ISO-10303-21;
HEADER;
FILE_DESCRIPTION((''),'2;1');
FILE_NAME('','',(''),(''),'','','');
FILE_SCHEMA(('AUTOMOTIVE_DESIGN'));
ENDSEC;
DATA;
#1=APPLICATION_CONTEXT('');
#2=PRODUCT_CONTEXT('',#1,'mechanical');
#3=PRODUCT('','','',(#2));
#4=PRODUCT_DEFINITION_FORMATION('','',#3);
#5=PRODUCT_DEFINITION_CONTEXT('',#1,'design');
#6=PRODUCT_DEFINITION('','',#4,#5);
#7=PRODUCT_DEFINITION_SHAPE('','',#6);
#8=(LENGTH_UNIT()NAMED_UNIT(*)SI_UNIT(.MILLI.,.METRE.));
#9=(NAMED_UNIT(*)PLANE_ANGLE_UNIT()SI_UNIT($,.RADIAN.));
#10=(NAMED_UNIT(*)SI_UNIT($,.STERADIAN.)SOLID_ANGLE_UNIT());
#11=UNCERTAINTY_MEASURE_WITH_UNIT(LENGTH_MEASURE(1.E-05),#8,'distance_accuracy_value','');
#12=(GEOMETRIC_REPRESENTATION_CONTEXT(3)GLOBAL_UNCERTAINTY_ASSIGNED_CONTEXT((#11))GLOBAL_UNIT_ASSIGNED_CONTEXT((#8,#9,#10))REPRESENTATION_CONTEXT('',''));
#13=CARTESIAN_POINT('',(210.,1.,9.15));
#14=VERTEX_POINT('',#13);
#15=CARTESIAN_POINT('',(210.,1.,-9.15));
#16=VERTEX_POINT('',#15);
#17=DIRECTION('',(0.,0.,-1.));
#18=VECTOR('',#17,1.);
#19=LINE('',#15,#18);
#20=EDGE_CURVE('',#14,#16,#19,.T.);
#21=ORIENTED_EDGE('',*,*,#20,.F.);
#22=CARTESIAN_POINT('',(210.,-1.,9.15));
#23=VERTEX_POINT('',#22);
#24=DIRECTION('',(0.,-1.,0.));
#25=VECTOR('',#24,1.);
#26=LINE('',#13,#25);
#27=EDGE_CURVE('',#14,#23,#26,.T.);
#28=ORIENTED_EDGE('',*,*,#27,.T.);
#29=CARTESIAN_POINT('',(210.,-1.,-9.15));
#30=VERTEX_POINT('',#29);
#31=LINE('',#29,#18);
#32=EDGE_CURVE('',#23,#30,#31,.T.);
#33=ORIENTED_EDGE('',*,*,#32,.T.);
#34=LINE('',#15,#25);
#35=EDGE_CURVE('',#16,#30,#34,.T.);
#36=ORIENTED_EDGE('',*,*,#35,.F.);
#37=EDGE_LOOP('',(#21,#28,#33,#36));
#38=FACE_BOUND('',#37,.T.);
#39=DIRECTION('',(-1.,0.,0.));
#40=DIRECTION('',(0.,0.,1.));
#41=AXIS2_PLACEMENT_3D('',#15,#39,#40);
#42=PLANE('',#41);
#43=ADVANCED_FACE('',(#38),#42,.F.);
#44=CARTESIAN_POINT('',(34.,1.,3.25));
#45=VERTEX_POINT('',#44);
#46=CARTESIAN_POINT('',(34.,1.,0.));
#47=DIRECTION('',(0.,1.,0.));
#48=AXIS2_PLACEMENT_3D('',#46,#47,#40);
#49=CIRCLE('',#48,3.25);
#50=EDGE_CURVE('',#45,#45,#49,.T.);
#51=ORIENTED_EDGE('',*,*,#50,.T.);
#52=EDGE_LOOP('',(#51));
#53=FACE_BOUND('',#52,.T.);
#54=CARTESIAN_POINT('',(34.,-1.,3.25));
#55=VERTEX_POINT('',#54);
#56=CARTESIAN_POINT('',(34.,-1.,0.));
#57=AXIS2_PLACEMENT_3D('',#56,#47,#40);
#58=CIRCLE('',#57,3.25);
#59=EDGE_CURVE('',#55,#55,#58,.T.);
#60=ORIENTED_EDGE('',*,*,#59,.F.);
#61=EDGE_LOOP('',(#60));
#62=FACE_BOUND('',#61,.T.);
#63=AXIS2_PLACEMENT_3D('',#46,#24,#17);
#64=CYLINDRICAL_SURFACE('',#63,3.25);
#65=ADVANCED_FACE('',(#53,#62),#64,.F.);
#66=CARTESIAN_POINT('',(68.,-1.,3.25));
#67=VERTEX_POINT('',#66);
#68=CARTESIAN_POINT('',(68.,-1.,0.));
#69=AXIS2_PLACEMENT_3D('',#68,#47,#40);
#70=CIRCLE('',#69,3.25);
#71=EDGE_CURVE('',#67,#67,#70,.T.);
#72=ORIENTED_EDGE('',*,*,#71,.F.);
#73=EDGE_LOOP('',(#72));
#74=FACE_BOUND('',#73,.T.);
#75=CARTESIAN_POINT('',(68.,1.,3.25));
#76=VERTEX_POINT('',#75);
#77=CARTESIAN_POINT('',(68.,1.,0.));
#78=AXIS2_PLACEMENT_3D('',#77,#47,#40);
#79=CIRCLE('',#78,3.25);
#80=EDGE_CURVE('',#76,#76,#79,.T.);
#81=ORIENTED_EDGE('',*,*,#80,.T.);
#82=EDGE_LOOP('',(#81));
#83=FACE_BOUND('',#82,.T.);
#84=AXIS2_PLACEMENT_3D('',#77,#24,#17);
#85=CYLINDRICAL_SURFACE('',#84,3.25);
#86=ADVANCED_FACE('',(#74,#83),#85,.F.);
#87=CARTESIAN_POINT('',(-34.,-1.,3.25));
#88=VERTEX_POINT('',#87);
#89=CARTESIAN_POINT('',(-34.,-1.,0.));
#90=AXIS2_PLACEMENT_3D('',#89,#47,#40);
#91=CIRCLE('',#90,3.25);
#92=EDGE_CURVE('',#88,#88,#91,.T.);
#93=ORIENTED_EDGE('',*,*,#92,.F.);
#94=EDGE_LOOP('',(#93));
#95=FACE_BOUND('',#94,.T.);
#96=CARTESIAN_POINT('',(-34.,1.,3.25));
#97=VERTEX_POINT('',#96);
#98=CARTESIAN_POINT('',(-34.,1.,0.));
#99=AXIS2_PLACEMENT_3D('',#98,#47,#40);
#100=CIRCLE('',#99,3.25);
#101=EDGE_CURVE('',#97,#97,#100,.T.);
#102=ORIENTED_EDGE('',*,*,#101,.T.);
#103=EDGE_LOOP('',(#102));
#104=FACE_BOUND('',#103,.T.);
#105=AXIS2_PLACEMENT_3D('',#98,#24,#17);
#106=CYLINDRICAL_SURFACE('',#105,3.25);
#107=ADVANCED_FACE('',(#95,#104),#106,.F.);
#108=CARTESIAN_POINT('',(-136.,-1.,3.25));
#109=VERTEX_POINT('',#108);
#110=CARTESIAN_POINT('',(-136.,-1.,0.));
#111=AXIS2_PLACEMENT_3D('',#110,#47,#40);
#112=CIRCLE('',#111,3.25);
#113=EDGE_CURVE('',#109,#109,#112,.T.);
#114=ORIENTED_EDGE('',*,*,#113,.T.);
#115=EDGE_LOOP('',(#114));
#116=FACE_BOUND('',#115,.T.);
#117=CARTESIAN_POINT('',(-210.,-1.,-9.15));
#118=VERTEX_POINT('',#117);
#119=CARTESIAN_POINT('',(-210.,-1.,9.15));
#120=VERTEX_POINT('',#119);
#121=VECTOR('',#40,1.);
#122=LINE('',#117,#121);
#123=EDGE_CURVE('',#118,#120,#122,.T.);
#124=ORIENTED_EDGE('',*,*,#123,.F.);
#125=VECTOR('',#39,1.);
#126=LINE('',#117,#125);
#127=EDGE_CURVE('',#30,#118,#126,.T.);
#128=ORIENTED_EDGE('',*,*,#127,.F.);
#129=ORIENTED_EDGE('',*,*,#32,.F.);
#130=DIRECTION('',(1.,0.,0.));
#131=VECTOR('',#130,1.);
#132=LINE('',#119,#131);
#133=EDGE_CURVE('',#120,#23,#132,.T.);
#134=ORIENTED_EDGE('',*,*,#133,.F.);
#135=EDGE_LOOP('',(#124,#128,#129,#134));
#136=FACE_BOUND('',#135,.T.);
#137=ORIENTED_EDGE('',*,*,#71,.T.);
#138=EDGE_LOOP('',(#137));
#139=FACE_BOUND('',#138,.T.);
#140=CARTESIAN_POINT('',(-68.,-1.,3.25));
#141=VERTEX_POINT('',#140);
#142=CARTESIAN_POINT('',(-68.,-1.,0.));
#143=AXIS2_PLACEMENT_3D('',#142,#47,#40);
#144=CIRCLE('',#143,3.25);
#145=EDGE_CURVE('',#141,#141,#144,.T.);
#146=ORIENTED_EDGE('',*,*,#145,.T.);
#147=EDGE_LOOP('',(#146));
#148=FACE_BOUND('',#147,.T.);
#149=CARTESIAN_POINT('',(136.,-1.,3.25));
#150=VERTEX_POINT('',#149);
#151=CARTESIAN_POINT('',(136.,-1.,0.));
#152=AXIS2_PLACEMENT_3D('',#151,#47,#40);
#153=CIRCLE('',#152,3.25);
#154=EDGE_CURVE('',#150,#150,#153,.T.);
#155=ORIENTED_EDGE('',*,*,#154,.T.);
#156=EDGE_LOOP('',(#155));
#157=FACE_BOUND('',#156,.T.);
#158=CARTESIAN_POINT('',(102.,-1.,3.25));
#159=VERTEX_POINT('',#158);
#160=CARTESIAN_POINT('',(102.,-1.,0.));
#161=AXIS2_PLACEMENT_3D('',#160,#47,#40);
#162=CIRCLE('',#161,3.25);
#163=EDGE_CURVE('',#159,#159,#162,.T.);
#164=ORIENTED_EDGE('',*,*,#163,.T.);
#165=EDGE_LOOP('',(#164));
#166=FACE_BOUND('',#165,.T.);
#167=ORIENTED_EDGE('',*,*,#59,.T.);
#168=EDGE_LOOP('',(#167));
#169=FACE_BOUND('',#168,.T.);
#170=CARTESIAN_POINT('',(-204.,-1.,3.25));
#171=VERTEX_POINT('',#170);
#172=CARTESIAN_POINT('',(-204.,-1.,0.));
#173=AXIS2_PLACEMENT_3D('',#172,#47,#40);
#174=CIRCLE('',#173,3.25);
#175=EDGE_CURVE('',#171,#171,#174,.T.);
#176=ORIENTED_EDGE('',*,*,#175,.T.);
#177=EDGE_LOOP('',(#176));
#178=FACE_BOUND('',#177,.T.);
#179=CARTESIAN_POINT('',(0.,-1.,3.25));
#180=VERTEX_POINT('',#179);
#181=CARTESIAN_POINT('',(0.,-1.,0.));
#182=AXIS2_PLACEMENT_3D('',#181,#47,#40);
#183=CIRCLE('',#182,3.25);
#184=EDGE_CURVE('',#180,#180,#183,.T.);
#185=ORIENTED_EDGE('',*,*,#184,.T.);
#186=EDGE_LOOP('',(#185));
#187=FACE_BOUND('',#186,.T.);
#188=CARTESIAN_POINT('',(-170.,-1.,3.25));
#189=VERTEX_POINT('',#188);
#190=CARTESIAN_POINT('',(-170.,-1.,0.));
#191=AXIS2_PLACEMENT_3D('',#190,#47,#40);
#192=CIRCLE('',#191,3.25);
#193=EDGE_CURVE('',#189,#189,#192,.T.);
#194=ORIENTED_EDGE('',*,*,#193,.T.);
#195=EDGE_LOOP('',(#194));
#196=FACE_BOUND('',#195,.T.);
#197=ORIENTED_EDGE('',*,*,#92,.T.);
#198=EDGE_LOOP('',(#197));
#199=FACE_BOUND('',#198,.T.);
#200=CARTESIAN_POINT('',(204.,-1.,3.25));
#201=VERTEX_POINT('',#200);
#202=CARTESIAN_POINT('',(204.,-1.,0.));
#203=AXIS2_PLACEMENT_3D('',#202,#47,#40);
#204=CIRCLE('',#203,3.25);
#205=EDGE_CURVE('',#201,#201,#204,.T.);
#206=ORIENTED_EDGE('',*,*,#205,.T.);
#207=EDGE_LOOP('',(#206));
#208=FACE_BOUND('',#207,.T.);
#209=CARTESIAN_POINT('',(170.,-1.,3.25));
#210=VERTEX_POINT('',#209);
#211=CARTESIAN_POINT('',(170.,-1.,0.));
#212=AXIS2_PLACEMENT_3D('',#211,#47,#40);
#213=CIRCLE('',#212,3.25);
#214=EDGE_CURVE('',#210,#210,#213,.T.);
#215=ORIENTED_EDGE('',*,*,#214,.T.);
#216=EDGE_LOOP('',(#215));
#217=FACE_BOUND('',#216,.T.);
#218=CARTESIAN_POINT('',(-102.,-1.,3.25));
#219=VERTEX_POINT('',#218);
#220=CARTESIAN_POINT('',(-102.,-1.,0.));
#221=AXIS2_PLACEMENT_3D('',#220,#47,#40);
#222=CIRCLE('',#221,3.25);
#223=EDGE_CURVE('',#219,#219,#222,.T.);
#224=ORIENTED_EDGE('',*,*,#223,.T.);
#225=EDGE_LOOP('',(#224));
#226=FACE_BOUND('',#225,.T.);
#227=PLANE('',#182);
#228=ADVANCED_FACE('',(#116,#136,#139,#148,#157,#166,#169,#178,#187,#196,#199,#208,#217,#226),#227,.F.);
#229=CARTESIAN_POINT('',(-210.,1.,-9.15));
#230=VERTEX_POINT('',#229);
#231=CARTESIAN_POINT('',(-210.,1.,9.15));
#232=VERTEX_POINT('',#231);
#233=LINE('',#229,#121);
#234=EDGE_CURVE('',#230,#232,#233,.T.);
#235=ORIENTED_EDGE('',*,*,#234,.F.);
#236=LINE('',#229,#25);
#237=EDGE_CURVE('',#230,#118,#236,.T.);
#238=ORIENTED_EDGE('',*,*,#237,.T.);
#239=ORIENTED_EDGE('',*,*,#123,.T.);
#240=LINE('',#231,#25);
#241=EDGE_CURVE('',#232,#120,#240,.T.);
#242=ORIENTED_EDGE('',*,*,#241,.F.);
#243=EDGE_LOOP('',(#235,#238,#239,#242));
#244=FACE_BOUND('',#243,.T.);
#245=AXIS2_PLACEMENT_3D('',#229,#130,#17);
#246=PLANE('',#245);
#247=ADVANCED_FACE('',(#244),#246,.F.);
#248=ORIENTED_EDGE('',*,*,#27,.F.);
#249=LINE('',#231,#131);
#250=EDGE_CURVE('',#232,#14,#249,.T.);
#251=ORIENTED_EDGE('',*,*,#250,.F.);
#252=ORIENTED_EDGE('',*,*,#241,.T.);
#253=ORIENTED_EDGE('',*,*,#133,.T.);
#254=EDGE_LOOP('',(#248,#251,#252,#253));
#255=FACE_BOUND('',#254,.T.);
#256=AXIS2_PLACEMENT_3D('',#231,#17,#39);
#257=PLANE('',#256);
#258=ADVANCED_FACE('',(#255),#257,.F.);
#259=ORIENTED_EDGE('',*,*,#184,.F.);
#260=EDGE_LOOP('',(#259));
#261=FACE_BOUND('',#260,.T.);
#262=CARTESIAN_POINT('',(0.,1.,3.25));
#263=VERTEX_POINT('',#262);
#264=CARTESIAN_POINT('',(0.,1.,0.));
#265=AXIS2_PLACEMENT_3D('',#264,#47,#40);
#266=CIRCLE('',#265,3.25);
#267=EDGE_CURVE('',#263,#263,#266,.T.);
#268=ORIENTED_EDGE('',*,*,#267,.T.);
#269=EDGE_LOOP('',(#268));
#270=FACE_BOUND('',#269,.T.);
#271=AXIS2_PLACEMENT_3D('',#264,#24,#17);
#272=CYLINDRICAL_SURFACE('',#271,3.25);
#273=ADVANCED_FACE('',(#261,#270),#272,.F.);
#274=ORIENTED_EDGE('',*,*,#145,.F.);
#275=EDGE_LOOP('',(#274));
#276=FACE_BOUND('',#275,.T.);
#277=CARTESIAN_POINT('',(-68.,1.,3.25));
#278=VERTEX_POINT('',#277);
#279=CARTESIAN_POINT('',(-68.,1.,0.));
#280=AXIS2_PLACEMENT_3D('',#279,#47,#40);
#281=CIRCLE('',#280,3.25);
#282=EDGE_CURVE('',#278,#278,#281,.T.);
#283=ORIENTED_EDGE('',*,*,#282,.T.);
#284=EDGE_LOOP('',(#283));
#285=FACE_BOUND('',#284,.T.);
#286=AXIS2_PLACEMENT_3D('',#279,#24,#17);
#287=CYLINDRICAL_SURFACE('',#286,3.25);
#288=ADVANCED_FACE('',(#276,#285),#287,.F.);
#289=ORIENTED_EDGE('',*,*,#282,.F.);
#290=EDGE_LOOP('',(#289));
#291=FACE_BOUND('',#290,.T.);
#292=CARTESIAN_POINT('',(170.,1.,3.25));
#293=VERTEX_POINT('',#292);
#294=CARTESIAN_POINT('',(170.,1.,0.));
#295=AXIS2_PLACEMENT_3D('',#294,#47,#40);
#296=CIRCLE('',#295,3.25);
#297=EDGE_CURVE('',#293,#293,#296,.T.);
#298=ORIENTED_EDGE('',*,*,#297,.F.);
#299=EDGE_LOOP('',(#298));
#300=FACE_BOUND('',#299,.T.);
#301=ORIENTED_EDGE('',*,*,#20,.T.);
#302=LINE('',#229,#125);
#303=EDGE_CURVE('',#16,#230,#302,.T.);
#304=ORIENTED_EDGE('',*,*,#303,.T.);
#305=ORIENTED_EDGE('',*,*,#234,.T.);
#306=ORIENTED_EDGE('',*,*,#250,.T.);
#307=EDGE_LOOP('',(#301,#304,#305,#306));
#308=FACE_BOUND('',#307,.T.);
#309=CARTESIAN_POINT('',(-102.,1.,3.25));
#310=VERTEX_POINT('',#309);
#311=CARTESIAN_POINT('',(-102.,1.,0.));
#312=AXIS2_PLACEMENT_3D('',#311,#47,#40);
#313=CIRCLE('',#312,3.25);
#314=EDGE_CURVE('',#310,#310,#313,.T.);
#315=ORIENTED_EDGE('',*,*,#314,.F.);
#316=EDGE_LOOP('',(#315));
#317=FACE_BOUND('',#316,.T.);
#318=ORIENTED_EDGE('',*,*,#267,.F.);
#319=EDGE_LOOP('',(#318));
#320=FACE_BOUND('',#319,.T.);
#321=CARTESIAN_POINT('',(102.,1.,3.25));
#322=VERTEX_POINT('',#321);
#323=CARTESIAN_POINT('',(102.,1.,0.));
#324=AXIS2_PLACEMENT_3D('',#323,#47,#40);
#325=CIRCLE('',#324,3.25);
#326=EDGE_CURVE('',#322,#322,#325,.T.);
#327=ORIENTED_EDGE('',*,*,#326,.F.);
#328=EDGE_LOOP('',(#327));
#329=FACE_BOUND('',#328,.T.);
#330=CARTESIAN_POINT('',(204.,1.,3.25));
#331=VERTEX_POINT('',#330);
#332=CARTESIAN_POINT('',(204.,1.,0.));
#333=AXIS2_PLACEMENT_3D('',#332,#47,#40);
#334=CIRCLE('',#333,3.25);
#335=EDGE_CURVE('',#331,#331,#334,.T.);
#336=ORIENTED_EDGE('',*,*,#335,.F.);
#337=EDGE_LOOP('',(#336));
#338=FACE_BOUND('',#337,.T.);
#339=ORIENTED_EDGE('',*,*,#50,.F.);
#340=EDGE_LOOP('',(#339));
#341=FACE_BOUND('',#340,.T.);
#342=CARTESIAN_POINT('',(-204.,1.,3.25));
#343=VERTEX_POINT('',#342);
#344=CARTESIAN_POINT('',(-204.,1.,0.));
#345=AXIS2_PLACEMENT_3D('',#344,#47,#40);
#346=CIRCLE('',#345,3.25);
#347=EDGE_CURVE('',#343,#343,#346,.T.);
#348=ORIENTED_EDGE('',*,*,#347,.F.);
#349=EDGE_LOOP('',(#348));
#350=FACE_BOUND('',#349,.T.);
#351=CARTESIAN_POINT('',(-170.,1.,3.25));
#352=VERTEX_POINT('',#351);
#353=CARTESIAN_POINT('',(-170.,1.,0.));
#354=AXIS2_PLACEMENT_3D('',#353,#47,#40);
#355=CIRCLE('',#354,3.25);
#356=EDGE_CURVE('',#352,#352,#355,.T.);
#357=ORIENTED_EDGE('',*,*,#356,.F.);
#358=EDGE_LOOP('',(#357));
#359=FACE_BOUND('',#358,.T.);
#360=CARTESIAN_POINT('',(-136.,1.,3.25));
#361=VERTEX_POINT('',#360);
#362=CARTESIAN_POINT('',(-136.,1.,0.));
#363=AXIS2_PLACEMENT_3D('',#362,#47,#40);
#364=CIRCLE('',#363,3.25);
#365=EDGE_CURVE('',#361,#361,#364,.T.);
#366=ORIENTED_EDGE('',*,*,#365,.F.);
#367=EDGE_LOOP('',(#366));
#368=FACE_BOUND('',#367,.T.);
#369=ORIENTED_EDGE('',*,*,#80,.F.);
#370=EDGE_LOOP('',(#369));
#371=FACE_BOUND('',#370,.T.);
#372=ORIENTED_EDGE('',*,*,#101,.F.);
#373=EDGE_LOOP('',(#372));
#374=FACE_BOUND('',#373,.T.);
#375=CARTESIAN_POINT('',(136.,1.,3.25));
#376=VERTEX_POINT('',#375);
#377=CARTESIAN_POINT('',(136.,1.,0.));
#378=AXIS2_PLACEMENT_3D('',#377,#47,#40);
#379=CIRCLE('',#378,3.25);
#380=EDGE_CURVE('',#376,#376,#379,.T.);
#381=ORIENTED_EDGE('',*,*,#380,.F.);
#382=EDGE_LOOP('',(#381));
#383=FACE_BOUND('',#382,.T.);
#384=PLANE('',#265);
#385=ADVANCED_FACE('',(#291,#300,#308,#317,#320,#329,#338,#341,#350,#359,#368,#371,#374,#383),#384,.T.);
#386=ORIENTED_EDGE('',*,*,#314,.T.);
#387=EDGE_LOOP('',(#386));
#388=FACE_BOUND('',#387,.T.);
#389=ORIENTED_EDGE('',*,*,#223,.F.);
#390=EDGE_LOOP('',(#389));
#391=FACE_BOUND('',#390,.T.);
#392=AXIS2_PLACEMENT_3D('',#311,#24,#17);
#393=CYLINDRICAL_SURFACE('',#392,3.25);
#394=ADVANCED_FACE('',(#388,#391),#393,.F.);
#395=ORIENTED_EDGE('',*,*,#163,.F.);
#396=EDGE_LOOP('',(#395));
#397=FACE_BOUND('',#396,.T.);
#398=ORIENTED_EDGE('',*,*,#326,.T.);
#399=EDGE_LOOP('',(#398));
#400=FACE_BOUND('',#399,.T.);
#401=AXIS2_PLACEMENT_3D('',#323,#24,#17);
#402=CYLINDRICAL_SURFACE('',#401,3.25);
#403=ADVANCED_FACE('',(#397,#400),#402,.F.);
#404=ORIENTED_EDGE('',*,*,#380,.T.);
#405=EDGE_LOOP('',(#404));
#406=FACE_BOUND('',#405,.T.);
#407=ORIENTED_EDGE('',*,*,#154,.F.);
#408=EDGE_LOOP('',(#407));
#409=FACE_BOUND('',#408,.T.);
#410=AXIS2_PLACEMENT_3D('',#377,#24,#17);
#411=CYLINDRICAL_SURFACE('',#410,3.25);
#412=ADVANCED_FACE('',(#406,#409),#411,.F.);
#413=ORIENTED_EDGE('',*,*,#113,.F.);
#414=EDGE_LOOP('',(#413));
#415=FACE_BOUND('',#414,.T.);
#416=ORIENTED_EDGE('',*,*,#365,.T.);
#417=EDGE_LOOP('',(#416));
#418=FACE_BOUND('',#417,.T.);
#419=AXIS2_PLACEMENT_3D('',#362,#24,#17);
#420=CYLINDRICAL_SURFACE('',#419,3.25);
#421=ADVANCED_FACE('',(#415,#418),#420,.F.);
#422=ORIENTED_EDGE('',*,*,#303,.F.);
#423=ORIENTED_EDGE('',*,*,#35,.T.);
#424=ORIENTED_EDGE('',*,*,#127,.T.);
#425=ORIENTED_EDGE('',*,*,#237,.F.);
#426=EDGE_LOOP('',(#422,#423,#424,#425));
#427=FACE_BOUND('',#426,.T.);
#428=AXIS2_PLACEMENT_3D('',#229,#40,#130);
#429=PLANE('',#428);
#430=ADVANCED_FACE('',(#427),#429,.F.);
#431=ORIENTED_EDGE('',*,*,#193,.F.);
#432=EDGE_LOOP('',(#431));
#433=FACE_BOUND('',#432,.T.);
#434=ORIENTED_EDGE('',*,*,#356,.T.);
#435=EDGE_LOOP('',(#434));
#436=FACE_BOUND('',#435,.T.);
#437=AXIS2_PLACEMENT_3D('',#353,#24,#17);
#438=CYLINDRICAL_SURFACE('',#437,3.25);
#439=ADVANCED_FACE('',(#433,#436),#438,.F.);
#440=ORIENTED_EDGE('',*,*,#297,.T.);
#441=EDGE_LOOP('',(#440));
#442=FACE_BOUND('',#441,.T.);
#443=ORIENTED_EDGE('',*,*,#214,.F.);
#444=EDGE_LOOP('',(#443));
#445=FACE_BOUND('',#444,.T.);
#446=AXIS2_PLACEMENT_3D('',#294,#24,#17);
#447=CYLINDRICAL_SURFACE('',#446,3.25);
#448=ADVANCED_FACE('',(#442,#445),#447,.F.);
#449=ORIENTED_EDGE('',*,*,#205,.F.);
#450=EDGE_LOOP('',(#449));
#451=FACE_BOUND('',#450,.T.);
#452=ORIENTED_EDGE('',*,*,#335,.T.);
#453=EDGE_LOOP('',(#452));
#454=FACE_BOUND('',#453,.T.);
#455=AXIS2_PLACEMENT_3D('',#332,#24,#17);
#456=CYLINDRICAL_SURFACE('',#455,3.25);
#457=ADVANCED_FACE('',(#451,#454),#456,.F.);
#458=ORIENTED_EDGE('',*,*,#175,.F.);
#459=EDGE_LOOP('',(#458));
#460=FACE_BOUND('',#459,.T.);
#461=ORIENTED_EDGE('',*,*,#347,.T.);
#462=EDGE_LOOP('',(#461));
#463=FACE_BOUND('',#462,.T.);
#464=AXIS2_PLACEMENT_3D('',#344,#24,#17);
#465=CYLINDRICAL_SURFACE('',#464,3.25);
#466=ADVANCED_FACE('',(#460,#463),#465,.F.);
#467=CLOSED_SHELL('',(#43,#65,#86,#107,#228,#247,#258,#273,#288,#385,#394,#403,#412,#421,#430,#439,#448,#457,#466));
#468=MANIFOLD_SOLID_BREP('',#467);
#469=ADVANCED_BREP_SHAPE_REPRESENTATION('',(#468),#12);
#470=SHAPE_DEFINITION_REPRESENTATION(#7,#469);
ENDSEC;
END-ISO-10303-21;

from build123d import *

# Parameters (mm, degrees)
SKETCH1_W           = 420
SKETCH1_H           = 18.3
SKETCH1_R           = 3.25
BOSS_EXTRUDE1_DEPTH = 1


with BuildPart() as part:
    # Sketch1 → Boss-Extrude1 (new, symmetric)
    with BuildSketch(Plane(origin=(0, 0, 0), x_dir=(1, 0, 0), z_dir=(0, 1, 0))):
        Rectangle(SKETCH1_W, SKETCH1_H)
        with Locations(Location((-204, 0, 0), (0, 0, 270))):
            Circle(SKETCH1_R, mode=Mode.SUBTRACT)
        with Locations(Location((-170, 0, 0), (0, 0, 270))):
            Circle(SKETCH1_R, mode=Mode.SUBTRACT)
        with Locations(Location((-136, 0, 0), (0, 0, 270))):
            Circle(SKETCH1_R, mode=Mode.SUBTRACT)
        with Locations(Location((-102, 0, 0), (0, 0, 270))):
            Circle(SKETCH1_R, mode=Mode.SUBTRACT)
        with Locations(Location((-68, 0, 0), (0, 0, 270))):
            Circle(SKETCH1_R, mode=Mode.SUBTRACT)
        with Locations(Location((-34, 0, 0), (0, 0, 270))):
            Circle(SKETCH1_R, mode=Mode.SUBTRACT)
        with Locations(Location((0, 0, 0), (0, 0, 270))):
            Circle(SKETCH1_R, mode=Mode.SUBTRACT)
        with Locations(Location((34, 0, 0), (0, 0, 270))):
            Circle(SKETCH1_R, mode=Mode.SUBTRACT)
        with Locations(Location((68, 0, 0), (0, 0, 270))):
            Circle(SKETCH1_R, mode=Mode.SUBTRACT)
        with Locations(Location((102, 0, 0), (0, 0, 270))):
            Circle(SKETCH1_R, mode=Mode.SUBTRACT)
        with Locations(Location((136, 0, 0), (0, 0, 270))):
            Circle(SKETCH1_R, mode=Mode.SUBTRACT)
        with Locations(Location((170, 0, 0), (0, 0, 270))):
            Circle(SKETCH1_R, mode=Mode.SUBTRACT)
        with Locations(Location((204, 0, 0), (0, 0, 270))):
            Circle(SKETCH1_R, mode=Mode.SUBTRACT)
    extrude(amount=BOSS_EXTRUDE1_DEPTH, both=True)


solid = part.part
